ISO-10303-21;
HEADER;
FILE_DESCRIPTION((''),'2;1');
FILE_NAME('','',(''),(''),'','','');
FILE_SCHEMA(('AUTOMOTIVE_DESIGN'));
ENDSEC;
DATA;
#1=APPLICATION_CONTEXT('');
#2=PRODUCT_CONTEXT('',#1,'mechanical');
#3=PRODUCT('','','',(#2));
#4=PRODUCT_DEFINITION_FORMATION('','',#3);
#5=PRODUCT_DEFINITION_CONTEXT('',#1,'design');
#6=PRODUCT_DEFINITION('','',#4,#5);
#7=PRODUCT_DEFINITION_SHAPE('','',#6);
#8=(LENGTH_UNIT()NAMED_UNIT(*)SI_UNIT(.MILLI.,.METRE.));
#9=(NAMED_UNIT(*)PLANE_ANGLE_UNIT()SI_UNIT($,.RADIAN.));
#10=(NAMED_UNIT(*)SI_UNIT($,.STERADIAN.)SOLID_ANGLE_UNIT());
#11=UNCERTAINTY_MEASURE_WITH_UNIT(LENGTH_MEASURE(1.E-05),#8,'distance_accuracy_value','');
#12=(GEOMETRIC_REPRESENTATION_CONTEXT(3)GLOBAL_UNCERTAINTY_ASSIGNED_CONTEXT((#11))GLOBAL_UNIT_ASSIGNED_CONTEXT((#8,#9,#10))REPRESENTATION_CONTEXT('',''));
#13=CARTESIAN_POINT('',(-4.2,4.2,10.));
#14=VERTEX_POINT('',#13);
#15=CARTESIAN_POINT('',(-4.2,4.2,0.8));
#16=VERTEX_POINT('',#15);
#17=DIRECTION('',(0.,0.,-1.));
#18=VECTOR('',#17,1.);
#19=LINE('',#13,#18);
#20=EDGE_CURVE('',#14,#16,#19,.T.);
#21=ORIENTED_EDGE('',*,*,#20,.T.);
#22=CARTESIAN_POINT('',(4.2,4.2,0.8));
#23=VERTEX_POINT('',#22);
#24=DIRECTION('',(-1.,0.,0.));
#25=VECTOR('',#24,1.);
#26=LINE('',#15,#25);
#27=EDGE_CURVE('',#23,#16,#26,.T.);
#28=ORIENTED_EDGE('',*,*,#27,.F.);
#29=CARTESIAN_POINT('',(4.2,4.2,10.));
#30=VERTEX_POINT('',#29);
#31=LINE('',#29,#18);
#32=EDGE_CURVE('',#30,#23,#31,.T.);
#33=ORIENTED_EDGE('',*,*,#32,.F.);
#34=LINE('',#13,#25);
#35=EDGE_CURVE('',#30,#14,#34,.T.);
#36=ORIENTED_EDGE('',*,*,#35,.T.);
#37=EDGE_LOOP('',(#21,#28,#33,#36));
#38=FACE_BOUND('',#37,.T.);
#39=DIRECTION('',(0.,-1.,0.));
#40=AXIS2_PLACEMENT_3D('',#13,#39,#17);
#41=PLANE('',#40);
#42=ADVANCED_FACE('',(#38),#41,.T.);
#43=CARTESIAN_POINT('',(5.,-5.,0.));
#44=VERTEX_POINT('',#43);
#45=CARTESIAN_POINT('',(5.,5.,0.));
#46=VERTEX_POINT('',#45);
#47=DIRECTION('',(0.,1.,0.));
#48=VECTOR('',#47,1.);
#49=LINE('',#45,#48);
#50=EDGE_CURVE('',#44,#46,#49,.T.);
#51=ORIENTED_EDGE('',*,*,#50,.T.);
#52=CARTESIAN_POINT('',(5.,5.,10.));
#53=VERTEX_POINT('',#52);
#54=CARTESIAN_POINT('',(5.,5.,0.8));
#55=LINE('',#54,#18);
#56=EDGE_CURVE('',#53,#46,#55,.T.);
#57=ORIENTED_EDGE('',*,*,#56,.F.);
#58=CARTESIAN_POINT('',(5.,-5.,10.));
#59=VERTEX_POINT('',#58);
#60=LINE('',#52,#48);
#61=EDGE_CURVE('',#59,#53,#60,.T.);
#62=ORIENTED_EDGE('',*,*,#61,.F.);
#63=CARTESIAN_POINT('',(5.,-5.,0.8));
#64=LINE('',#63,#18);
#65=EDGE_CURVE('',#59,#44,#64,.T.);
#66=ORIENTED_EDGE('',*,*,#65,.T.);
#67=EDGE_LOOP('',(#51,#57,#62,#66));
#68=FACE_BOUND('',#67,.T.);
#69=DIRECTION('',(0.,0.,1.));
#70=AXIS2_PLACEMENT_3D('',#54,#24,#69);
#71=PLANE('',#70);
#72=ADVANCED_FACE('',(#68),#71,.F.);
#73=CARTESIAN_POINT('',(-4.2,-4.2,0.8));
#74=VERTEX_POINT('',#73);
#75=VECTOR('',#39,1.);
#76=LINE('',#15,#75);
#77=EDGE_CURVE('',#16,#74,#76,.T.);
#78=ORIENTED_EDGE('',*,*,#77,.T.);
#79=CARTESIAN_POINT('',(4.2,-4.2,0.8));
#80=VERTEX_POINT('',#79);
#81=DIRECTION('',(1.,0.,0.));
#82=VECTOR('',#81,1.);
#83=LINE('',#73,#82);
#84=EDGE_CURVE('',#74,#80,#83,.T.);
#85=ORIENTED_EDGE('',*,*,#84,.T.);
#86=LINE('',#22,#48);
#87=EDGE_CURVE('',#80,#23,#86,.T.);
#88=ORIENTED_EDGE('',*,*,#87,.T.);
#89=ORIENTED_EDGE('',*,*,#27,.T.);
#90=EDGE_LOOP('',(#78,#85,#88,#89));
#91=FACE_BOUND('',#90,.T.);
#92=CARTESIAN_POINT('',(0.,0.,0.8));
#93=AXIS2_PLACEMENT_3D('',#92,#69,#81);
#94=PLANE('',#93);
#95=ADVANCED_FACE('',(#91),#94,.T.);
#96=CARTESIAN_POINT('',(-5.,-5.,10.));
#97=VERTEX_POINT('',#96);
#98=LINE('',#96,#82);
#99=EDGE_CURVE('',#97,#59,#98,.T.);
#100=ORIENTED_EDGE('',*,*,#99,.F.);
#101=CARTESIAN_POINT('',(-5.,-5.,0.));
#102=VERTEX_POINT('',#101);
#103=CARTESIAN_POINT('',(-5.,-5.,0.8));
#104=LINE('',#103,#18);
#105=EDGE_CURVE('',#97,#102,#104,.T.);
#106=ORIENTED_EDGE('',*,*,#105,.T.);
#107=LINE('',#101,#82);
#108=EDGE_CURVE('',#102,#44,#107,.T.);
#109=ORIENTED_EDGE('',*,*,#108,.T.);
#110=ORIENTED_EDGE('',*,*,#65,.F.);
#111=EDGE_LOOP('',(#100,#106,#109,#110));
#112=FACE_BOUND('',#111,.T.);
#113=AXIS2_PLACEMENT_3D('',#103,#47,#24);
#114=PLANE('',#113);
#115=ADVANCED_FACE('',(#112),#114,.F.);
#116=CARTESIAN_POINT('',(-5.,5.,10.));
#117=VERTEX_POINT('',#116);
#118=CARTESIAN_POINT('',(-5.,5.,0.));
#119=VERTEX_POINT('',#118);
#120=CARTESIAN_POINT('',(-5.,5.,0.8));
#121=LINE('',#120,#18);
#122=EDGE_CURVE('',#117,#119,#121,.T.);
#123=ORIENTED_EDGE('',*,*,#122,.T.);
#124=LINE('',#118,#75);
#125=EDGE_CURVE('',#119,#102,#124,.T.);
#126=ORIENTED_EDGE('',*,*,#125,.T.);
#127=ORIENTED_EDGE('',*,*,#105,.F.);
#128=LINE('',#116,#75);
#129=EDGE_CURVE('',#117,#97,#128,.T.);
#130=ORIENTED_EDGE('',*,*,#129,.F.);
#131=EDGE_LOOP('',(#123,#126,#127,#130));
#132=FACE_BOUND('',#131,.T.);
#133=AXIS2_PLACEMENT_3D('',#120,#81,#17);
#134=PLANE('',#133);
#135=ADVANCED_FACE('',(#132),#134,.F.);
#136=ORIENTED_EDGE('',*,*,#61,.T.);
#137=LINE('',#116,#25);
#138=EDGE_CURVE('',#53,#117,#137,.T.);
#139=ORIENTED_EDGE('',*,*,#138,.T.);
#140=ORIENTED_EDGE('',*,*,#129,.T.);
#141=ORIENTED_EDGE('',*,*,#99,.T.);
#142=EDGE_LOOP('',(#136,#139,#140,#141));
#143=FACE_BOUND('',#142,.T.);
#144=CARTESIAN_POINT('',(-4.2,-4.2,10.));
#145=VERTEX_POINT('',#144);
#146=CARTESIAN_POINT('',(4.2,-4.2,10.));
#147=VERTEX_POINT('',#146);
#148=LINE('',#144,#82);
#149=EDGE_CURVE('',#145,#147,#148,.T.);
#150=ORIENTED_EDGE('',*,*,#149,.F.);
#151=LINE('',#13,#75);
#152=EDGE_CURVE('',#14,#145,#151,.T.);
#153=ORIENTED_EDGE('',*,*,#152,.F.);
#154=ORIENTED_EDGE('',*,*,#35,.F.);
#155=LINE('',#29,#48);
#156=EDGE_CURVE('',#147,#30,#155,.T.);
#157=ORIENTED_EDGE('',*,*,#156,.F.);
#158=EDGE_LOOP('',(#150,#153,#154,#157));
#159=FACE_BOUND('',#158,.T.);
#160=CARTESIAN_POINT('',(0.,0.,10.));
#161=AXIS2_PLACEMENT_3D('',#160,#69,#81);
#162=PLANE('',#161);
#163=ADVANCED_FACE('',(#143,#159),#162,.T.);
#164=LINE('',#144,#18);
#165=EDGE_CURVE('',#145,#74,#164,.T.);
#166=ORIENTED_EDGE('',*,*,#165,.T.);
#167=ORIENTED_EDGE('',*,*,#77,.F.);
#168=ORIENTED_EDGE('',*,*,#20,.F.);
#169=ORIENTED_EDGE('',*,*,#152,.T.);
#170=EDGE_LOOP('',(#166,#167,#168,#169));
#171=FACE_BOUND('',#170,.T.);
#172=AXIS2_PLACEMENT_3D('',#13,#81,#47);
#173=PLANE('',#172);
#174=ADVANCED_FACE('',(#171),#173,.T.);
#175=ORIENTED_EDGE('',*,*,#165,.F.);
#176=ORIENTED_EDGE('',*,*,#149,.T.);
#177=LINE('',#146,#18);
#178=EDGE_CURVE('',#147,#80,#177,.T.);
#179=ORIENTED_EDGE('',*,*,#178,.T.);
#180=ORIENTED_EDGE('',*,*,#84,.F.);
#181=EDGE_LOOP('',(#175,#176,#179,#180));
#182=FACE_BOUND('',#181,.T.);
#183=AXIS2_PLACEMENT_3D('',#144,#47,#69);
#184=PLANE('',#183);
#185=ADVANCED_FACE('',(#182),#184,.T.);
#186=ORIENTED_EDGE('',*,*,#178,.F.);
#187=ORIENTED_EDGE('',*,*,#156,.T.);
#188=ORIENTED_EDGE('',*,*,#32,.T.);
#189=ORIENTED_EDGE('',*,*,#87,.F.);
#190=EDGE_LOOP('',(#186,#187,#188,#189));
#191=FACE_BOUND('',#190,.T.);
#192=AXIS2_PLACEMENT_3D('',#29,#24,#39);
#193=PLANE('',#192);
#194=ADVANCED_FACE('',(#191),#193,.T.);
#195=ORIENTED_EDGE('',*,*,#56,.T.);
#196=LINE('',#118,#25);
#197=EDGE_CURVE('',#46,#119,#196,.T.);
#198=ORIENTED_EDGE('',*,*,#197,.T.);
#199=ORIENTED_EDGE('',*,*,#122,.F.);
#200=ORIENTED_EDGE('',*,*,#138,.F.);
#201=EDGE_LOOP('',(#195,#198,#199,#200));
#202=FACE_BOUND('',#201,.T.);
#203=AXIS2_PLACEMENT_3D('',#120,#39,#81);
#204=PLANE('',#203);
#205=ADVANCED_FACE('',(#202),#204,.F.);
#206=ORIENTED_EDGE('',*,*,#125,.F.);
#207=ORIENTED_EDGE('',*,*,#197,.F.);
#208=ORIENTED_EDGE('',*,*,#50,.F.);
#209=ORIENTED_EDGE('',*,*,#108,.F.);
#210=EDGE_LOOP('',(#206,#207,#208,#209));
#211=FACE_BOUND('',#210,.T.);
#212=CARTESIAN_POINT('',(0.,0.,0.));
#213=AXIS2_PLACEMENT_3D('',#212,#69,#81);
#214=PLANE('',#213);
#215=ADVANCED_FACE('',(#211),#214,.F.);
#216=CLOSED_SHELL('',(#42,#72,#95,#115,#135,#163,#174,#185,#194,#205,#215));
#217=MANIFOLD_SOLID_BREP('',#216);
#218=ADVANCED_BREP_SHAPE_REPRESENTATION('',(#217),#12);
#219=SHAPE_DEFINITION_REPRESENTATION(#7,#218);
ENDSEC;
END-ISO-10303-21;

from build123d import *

# Parameters (mm, degrees)
SKETCH1_W           = 10
SKETCH1_H           = 10
BOSS_EXTRUDE1_DEPTH = 0.8
SKETCH2_W           = 10
SKETCH2_H           = 10
SKETCH2_W_2         = 8.4
SKETCH2_H_2         = 8.4
BOSS_EXTRUDE2_DEPTH = 9.2


with BuildPart() as part:
    # Sketch1 → Boss-Extrude1 (new body)
    with BuildSketch(Plane.XY):
        Rectangle(SKETCH1_W, SKETCH1_H)
    extrude(amount=BOSS_EXTRUDE1_DEPTH)

    # Sketch2 → Boss-Extrude2 (add)
    with BuildSketch(Plane.XY.offset(0.8)):
        Rectangle(SKETCH2_W, SKETCH2_H)
        Rectangle(SKETCH2_W_2, SKETCH2_H_2, mode=Mode.SUBTRACT)
    extrude(amount=BOSS_EXTRUDE2_DEPTH)


solid = part.part
